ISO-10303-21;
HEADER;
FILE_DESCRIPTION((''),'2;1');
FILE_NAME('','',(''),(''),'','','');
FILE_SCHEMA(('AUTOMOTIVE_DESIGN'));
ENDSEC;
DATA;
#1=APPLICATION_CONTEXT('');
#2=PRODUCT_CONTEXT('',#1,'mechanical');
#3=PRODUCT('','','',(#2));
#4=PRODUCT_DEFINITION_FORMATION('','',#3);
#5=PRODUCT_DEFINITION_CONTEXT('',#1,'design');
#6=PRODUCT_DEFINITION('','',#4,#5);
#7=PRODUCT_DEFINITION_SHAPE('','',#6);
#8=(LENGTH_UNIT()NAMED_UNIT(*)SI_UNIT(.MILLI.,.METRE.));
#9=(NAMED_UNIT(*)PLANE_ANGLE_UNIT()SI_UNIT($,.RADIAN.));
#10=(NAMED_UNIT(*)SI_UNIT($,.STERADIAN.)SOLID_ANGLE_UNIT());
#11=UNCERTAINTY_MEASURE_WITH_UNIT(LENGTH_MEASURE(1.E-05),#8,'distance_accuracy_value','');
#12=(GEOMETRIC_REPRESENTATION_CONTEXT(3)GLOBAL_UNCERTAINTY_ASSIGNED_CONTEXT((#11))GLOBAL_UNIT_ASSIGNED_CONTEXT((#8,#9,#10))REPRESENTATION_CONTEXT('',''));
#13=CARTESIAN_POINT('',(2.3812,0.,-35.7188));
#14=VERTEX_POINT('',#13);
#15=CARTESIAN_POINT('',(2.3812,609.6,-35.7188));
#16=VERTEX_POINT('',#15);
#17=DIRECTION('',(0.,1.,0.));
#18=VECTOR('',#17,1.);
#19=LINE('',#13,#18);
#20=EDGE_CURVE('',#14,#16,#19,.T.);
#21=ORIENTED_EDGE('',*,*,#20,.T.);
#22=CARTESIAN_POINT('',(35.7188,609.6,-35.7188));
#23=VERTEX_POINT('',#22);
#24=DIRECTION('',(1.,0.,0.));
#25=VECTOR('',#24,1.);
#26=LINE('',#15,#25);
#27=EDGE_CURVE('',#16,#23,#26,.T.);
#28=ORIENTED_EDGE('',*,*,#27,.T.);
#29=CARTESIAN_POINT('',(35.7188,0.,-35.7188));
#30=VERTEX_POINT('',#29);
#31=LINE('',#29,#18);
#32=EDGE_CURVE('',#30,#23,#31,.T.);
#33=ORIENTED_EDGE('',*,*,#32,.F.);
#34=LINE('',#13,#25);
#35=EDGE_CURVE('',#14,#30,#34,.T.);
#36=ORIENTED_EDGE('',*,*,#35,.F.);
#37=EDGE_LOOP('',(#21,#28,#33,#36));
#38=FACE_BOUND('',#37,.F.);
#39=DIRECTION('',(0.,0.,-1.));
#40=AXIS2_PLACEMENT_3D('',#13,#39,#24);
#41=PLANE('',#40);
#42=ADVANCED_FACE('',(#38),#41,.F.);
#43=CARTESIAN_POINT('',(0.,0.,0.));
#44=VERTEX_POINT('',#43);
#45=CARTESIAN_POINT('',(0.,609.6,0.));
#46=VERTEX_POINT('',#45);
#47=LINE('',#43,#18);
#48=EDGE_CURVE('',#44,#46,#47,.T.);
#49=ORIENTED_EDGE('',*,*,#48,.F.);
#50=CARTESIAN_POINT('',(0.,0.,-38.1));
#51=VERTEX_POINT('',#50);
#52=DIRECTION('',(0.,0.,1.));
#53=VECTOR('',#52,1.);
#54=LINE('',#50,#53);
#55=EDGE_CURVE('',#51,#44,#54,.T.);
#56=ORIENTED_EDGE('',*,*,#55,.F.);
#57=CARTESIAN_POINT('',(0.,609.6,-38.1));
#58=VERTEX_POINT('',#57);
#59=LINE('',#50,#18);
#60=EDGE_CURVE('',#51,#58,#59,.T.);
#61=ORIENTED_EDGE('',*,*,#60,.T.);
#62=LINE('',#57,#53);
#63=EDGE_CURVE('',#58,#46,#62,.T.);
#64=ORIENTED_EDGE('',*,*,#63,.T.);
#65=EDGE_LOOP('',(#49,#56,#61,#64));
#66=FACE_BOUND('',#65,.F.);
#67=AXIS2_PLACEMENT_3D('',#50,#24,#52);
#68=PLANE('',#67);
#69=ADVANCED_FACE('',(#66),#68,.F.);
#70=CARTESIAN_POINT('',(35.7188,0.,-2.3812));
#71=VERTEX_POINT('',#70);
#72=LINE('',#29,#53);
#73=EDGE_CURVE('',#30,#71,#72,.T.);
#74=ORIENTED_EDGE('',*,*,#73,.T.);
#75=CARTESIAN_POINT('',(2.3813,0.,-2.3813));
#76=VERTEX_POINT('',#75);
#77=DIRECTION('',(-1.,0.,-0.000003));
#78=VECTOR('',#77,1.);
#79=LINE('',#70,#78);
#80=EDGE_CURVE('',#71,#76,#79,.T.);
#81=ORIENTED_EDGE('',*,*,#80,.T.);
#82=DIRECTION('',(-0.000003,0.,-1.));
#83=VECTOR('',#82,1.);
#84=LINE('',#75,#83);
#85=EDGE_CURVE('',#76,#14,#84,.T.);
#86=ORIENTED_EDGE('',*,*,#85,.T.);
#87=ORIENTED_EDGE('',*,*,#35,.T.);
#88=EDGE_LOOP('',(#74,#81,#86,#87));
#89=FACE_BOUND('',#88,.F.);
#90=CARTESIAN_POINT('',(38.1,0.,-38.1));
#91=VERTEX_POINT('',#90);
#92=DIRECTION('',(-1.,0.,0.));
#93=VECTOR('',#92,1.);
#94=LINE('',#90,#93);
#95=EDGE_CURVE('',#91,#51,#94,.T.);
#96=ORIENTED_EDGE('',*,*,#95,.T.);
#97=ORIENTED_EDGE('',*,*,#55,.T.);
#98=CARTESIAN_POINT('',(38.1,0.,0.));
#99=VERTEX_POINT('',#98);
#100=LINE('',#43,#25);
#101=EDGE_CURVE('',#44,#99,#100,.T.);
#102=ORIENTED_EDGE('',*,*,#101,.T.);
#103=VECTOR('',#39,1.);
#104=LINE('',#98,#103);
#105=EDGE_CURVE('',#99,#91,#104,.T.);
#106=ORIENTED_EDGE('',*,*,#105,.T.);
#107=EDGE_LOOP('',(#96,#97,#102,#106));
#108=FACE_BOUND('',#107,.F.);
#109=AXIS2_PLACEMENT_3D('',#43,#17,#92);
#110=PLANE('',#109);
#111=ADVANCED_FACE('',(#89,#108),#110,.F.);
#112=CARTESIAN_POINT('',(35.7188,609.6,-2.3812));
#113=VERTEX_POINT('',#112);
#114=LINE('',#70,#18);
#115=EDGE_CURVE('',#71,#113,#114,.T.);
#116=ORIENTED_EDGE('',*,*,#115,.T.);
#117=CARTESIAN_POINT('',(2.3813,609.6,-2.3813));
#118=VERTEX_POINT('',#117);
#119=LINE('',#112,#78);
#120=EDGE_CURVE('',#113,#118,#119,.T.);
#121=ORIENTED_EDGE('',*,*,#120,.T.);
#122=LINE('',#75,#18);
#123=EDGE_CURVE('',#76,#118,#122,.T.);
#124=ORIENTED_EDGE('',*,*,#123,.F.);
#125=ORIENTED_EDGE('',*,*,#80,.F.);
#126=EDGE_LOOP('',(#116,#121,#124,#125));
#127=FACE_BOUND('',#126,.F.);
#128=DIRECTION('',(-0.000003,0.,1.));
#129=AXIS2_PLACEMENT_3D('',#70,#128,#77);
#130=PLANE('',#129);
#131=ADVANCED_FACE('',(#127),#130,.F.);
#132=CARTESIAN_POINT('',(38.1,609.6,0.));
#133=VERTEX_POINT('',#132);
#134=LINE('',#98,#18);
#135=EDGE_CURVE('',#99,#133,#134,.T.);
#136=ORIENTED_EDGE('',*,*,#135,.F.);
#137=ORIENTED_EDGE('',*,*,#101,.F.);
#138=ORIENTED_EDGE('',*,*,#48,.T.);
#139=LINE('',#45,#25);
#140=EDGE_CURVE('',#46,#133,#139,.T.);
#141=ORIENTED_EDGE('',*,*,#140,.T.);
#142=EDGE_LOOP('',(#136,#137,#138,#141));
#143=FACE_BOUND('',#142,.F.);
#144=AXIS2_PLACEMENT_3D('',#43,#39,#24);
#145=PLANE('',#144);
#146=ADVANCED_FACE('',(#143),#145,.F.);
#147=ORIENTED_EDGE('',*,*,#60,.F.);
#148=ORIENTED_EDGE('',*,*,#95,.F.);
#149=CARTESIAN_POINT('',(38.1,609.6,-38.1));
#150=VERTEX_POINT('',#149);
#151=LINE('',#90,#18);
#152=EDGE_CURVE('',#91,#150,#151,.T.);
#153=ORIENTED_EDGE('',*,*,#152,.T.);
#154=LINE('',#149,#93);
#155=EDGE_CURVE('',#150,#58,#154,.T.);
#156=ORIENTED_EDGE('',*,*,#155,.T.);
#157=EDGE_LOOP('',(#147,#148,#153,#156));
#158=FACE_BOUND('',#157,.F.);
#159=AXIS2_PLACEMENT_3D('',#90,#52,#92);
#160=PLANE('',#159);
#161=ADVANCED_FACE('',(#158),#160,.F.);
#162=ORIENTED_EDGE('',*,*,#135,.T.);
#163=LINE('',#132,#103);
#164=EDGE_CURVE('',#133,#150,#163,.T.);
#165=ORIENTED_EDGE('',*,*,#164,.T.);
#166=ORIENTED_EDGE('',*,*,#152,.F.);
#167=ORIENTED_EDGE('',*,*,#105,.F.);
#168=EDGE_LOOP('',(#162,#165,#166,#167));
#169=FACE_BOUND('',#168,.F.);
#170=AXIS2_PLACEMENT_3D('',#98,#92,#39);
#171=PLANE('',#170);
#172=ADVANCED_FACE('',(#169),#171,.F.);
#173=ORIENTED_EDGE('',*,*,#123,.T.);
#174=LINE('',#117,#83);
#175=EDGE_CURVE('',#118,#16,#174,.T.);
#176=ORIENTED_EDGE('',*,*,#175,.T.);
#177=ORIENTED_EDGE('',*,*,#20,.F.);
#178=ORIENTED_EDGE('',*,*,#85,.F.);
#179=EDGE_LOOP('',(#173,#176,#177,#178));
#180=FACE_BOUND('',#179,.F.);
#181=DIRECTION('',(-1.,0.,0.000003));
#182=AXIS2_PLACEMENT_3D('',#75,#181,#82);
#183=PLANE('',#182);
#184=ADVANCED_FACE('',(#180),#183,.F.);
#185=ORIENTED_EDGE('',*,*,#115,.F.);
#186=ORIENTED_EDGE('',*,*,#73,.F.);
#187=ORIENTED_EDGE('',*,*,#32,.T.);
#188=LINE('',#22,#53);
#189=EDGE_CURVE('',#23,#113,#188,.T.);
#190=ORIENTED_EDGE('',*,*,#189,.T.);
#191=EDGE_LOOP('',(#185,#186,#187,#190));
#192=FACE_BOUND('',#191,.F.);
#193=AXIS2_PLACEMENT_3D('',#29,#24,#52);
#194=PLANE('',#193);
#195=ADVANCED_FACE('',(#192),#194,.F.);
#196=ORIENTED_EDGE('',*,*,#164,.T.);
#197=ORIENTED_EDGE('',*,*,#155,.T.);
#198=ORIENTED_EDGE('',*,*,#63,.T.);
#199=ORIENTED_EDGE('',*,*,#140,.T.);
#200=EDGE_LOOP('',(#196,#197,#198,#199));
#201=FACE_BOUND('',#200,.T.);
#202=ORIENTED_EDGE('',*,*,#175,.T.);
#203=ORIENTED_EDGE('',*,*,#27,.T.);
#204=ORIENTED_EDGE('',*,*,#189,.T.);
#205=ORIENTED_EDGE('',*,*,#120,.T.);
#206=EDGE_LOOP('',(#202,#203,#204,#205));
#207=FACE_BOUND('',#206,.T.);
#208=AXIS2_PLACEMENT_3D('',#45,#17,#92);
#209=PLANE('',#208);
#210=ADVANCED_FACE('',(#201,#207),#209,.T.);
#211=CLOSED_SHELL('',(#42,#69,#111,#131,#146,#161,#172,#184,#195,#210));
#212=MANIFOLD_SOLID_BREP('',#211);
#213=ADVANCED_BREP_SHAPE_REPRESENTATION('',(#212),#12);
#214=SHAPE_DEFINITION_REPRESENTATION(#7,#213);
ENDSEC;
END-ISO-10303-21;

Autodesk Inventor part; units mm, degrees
ref_plane "YZ Plane" through (0, 0, 0) normal (1, 0, 0) x (0, 1, 0)
ref_plane "XZ Plane" through (0, 0, 0) normal (0, 1, 0) x (-1, 0, 0)
ref_plane "XY Plane" through (0, 0, 0) normal (0, 0, 1) x (1, 0, 0)
sketch "Sketch1" plane through (0, 0, 0) normal (0, 1, 0) x (-1, 0, 0)
  line L0 (0, 0) -> (-38.1, 0)
  line L1 (-38.1, 0) -> (-38.1, -38.1)
  line L2 (-38.1, -38.1) -> (0, -38.1)
  line L3 (0, -38.1) -> (0, 0)
  line L4 (-35.7188, -35.7188) -> (-35.7188, -2.3812)
  line L5 (-35.7188, -2.3812) -> (-2.3813, -2.3813)
  line L6 (-2.3813, -2.3813) -> (-2.3812, -35.7188)
  line L7 (-2.3812, -35.7188) -> (-35.7188, -35.7188)
  dimension "d0" = 38.1
  dimension "d1" = 38.1
  dimension "d2" = 2.3813
extrude "Extrusion1" add sketch "Sketch1" along normal blind 609.6
equation "\"d0\" = d1"
